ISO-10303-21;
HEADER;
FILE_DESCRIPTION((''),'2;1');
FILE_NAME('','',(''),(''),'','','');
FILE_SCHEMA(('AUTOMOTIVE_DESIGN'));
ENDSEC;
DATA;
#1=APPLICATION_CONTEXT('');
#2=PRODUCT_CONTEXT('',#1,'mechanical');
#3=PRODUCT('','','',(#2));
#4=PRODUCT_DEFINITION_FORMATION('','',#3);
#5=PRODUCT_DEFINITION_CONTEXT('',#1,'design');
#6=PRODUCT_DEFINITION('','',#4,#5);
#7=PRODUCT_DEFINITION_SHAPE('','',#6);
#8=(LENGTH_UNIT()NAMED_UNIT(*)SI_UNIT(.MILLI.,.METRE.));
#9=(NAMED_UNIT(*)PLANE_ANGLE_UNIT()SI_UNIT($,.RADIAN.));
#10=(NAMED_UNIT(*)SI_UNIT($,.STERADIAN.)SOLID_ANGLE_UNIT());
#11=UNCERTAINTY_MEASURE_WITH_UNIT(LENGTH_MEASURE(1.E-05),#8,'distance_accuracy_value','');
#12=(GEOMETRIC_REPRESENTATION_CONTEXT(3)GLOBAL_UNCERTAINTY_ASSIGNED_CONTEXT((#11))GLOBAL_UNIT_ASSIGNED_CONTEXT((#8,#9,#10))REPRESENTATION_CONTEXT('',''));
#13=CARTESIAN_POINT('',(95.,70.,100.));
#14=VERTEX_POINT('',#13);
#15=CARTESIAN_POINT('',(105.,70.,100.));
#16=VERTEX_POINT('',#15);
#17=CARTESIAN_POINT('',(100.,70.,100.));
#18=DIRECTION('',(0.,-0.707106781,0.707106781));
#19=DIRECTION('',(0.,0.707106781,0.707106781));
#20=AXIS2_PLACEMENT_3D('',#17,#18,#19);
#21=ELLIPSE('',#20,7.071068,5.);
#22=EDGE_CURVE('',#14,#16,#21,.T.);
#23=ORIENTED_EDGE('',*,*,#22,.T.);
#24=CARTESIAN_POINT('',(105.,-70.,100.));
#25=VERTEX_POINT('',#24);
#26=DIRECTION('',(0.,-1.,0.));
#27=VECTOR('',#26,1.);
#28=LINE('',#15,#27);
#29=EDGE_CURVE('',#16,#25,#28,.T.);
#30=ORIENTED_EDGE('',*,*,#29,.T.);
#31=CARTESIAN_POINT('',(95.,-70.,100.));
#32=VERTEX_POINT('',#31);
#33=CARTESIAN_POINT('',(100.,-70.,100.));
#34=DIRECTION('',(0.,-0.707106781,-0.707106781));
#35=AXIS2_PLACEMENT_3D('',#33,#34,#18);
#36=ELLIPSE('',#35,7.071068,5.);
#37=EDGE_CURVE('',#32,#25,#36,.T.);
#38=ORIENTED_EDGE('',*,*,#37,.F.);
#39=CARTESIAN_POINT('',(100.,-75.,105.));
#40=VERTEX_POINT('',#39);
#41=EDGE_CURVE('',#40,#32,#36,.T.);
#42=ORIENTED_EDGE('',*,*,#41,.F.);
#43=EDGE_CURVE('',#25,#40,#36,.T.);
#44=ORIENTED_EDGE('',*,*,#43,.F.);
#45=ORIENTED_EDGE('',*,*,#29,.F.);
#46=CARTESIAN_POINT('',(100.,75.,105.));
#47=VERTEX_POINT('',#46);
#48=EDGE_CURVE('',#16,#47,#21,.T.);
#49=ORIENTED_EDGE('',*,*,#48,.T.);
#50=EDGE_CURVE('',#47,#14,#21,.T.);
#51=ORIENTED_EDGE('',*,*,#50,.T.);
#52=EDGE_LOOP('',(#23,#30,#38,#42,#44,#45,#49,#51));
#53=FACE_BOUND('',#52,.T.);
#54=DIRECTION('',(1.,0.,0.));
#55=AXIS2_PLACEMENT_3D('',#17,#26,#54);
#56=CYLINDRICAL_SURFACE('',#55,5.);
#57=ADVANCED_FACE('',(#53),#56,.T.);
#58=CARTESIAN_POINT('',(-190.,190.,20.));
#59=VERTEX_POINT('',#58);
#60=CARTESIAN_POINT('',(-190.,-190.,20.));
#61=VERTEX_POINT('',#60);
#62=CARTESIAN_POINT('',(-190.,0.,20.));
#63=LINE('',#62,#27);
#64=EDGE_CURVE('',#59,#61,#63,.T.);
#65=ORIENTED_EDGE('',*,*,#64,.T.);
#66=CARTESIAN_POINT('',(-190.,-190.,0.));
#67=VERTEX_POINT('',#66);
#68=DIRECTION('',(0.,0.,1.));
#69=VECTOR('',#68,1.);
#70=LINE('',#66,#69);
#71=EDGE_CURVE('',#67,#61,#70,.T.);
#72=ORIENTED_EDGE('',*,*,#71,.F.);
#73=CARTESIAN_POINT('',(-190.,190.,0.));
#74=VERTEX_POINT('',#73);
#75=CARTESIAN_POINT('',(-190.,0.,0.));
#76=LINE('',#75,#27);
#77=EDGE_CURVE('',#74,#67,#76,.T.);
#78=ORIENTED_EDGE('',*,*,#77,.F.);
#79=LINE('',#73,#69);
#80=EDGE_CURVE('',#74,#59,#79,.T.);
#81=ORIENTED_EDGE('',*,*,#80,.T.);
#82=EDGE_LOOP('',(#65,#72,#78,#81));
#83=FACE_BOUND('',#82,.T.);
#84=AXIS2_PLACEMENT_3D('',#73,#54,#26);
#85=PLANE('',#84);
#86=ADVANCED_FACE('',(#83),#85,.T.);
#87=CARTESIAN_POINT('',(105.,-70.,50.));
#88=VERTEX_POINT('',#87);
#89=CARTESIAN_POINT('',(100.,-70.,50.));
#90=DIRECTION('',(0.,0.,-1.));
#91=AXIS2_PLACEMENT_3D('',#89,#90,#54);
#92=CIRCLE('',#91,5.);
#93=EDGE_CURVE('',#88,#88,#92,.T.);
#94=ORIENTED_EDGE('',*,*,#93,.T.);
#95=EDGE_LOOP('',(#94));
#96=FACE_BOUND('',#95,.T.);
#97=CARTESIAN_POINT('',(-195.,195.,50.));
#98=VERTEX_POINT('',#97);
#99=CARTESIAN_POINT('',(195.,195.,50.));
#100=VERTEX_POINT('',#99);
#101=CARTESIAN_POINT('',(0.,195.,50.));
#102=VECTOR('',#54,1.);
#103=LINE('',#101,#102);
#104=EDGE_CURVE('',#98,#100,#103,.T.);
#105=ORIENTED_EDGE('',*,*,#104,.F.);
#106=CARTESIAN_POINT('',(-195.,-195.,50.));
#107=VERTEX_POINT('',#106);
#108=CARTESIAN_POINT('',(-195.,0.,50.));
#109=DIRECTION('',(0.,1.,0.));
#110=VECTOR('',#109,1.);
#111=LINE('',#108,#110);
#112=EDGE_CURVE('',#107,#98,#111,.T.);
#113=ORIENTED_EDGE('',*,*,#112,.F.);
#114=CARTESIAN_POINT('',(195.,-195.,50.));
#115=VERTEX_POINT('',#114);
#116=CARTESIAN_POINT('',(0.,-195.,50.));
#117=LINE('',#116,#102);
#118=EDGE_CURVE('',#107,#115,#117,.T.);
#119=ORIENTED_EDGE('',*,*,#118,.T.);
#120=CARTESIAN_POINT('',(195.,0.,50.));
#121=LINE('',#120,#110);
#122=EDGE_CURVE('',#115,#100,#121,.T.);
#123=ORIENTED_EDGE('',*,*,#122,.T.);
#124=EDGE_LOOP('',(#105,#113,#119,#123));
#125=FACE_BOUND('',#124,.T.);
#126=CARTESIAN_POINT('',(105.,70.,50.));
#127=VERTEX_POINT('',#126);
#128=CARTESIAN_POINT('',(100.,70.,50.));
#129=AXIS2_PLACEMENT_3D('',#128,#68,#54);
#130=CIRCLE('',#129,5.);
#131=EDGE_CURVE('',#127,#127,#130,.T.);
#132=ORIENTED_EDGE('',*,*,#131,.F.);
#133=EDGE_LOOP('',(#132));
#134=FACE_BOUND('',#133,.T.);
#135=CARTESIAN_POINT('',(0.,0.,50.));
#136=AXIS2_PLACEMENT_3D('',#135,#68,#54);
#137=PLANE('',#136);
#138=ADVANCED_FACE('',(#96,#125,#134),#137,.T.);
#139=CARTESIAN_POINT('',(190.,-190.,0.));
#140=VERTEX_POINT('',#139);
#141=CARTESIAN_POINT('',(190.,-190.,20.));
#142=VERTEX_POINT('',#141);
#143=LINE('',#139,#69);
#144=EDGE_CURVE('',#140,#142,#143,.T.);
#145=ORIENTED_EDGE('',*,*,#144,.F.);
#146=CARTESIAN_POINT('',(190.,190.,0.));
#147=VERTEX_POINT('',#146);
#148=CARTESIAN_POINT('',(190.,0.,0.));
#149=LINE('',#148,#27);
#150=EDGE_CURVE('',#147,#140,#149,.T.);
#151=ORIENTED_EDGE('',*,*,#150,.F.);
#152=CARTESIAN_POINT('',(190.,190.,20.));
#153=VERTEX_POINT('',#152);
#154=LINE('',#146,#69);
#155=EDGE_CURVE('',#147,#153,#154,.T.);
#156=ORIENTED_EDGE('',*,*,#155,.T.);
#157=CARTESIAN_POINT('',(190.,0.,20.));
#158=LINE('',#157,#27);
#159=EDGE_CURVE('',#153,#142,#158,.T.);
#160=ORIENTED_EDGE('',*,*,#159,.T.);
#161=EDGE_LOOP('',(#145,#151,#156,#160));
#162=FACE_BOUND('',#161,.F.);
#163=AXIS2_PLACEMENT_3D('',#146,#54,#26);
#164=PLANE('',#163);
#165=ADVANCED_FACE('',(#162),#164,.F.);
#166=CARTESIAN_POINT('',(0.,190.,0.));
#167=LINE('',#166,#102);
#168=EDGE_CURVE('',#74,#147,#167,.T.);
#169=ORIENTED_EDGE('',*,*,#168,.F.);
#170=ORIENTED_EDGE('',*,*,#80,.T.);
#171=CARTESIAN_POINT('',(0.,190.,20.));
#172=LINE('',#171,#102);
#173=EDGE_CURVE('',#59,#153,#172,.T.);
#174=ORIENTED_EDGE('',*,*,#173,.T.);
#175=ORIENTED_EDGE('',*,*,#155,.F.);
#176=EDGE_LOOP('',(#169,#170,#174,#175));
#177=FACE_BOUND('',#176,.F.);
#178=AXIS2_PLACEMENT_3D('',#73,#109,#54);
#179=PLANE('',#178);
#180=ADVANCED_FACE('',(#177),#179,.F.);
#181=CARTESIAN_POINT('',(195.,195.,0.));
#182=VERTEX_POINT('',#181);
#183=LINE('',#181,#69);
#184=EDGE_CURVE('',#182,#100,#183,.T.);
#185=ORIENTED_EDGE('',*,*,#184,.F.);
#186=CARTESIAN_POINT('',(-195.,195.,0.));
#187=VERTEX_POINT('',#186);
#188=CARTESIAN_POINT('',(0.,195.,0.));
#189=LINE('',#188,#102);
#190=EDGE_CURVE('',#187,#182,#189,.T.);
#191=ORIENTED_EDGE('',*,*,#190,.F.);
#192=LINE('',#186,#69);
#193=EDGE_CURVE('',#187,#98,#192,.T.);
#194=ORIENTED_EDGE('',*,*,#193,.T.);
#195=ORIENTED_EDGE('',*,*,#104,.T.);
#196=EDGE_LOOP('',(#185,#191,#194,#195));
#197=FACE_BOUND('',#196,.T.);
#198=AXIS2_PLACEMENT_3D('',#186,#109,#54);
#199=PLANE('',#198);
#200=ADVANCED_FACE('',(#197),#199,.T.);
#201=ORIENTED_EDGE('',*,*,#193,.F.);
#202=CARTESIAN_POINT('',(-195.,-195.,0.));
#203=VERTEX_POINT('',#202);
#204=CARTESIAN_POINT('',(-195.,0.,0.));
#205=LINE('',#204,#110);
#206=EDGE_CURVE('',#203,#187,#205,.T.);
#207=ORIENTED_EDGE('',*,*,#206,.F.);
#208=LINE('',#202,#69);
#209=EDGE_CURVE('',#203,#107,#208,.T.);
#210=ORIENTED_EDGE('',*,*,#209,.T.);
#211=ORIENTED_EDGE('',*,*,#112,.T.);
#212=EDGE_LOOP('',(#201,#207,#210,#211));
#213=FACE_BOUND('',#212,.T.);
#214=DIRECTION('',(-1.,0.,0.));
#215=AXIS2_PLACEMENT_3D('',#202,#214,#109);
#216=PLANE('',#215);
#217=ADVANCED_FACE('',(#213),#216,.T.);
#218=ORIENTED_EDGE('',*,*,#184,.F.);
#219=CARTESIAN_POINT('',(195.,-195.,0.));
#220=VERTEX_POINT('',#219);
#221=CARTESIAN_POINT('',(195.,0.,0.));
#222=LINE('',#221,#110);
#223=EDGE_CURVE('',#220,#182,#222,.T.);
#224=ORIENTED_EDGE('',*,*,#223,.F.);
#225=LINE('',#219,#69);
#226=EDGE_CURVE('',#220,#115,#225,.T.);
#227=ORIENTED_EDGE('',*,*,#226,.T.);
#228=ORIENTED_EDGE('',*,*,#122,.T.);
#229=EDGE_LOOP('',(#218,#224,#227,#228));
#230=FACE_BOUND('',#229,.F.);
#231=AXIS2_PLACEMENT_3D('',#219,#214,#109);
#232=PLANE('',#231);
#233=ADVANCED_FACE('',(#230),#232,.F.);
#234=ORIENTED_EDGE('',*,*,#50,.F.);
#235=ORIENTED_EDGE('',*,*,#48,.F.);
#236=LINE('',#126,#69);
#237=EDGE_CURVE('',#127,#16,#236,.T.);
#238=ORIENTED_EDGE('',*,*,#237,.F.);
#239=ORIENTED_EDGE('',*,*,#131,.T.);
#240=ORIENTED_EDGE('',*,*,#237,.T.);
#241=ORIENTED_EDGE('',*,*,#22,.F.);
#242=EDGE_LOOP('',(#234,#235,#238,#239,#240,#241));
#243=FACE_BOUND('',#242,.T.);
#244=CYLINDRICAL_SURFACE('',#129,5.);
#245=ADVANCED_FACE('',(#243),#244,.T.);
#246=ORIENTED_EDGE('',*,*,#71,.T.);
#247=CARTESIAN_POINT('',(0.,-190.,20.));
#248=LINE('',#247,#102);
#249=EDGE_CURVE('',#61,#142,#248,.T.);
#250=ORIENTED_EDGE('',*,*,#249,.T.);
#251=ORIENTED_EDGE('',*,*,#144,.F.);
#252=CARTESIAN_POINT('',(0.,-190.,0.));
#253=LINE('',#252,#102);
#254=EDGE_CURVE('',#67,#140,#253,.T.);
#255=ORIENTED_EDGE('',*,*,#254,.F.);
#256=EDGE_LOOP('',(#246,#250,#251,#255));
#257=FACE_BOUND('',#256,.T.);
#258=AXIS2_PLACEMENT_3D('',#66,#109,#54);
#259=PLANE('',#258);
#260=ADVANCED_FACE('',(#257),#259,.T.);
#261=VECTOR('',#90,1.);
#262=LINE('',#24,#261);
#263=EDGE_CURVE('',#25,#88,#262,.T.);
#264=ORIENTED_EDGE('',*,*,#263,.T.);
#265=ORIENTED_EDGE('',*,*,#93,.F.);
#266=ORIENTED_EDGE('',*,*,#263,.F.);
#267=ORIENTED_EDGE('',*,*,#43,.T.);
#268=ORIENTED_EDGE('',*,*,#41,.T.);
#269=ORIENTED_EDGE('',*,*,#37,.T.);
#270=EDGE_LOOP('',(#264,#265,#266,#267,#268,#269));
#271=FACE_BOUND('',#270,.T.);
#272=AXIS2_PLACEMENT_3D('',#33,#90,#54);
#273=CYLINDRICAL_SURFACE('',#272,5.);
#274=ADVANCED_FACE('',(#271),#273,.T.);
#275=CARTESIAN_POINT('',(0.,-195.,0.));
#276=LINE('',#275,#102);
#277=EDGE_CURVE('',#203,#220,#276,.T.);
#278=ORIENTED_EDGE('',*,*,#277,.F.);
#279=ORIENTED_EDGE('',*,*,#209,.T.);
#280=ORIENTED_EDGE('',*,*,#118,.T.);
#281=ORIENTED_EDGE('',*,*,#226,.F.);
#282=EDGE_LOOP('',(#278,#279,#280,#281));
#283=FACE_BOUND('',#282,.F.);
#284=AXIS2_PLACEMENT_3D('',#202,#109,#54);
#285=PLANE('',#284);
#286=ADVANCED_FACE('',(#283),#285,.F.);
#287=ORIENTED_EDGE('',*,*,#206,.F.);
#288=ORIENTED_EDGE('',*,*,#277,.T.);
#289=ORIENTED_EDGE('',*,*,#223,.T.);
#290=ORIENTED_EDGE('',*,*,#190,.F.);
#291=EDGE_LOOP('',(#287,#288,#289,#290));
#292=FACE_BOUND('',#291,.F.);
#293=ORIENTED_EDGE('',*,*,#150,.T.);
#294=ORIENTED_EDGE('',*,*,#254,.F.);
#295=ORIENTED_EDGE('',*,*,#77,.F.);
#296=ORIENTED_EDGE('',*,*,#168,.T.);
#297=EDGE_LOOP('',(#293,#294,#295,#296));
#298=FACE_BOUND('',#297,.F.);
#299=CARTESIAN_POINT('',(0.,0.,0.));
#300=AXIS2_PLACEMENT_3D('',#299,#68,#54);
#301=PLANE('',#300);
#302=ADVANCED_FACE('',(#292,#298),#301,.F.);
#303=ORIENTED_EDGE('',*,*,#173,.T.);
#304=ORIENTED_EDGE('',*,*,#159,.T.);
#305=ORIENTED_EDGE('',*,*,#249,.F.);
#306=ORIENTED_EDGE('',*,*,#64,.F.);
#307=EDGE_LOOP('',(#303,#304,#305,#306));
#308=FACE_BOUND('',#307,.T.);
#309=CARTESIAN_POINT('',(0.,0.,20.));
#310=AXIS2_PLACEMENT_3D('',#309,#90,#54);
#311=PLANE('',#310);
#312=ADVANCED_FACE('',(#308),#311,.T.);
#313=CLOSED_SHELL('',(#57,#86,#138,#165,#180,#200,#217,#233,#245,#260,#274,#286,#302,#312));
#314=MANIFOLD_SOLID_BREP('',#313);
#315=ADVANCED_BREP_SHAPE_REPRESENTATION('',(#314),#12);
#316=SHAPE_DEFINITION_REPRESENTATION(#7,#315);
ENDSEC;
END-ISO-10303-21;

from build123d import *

# Parameters (mm, degrees)
F0_W     = 390
F0_H     = 390
F1_DEPTH = 50
F2_W     = 380
F2_H     = 380
F3_DEPTH = 20
F6_R     = 5


with BuildPart() as f1:
    # F0 (on Top) → F1 (new body)
    with BuildSketch(Plane.XY):
        Rectangle(F0_W, F0_H)
    extrude(amount=F1_DEPTH)

    # F2 (on face) → F3 (cut)
    with BuildSketch(Plane(origin=(0, 0, 0), x_dir=(1, 0, 0), z_dir=(0, 0, -1))):
        Rectangle(F2_W, F2_H)
    extrude(amount=-F3_DEPTH, mode=Mode.SUBTRACT)

    # F7: sweep along a path in F5
    with BuildLine(Plane.YZ.offset(100)) as f7_path:
        Line((70, 50), (70, 100))
        Line((70, 100), (-70, 100))
        Line((-70, 100), (-70, 50))
    # F6 (on face) → F7 (sweep)
    with BuildSketch(Plane.XY.offset(50)):
        with Locations((100, 70)):
            Circle(F6_R)
    sweep(path=f7_path.line, transition=Transition.RIGHT)


solid = f1.part
